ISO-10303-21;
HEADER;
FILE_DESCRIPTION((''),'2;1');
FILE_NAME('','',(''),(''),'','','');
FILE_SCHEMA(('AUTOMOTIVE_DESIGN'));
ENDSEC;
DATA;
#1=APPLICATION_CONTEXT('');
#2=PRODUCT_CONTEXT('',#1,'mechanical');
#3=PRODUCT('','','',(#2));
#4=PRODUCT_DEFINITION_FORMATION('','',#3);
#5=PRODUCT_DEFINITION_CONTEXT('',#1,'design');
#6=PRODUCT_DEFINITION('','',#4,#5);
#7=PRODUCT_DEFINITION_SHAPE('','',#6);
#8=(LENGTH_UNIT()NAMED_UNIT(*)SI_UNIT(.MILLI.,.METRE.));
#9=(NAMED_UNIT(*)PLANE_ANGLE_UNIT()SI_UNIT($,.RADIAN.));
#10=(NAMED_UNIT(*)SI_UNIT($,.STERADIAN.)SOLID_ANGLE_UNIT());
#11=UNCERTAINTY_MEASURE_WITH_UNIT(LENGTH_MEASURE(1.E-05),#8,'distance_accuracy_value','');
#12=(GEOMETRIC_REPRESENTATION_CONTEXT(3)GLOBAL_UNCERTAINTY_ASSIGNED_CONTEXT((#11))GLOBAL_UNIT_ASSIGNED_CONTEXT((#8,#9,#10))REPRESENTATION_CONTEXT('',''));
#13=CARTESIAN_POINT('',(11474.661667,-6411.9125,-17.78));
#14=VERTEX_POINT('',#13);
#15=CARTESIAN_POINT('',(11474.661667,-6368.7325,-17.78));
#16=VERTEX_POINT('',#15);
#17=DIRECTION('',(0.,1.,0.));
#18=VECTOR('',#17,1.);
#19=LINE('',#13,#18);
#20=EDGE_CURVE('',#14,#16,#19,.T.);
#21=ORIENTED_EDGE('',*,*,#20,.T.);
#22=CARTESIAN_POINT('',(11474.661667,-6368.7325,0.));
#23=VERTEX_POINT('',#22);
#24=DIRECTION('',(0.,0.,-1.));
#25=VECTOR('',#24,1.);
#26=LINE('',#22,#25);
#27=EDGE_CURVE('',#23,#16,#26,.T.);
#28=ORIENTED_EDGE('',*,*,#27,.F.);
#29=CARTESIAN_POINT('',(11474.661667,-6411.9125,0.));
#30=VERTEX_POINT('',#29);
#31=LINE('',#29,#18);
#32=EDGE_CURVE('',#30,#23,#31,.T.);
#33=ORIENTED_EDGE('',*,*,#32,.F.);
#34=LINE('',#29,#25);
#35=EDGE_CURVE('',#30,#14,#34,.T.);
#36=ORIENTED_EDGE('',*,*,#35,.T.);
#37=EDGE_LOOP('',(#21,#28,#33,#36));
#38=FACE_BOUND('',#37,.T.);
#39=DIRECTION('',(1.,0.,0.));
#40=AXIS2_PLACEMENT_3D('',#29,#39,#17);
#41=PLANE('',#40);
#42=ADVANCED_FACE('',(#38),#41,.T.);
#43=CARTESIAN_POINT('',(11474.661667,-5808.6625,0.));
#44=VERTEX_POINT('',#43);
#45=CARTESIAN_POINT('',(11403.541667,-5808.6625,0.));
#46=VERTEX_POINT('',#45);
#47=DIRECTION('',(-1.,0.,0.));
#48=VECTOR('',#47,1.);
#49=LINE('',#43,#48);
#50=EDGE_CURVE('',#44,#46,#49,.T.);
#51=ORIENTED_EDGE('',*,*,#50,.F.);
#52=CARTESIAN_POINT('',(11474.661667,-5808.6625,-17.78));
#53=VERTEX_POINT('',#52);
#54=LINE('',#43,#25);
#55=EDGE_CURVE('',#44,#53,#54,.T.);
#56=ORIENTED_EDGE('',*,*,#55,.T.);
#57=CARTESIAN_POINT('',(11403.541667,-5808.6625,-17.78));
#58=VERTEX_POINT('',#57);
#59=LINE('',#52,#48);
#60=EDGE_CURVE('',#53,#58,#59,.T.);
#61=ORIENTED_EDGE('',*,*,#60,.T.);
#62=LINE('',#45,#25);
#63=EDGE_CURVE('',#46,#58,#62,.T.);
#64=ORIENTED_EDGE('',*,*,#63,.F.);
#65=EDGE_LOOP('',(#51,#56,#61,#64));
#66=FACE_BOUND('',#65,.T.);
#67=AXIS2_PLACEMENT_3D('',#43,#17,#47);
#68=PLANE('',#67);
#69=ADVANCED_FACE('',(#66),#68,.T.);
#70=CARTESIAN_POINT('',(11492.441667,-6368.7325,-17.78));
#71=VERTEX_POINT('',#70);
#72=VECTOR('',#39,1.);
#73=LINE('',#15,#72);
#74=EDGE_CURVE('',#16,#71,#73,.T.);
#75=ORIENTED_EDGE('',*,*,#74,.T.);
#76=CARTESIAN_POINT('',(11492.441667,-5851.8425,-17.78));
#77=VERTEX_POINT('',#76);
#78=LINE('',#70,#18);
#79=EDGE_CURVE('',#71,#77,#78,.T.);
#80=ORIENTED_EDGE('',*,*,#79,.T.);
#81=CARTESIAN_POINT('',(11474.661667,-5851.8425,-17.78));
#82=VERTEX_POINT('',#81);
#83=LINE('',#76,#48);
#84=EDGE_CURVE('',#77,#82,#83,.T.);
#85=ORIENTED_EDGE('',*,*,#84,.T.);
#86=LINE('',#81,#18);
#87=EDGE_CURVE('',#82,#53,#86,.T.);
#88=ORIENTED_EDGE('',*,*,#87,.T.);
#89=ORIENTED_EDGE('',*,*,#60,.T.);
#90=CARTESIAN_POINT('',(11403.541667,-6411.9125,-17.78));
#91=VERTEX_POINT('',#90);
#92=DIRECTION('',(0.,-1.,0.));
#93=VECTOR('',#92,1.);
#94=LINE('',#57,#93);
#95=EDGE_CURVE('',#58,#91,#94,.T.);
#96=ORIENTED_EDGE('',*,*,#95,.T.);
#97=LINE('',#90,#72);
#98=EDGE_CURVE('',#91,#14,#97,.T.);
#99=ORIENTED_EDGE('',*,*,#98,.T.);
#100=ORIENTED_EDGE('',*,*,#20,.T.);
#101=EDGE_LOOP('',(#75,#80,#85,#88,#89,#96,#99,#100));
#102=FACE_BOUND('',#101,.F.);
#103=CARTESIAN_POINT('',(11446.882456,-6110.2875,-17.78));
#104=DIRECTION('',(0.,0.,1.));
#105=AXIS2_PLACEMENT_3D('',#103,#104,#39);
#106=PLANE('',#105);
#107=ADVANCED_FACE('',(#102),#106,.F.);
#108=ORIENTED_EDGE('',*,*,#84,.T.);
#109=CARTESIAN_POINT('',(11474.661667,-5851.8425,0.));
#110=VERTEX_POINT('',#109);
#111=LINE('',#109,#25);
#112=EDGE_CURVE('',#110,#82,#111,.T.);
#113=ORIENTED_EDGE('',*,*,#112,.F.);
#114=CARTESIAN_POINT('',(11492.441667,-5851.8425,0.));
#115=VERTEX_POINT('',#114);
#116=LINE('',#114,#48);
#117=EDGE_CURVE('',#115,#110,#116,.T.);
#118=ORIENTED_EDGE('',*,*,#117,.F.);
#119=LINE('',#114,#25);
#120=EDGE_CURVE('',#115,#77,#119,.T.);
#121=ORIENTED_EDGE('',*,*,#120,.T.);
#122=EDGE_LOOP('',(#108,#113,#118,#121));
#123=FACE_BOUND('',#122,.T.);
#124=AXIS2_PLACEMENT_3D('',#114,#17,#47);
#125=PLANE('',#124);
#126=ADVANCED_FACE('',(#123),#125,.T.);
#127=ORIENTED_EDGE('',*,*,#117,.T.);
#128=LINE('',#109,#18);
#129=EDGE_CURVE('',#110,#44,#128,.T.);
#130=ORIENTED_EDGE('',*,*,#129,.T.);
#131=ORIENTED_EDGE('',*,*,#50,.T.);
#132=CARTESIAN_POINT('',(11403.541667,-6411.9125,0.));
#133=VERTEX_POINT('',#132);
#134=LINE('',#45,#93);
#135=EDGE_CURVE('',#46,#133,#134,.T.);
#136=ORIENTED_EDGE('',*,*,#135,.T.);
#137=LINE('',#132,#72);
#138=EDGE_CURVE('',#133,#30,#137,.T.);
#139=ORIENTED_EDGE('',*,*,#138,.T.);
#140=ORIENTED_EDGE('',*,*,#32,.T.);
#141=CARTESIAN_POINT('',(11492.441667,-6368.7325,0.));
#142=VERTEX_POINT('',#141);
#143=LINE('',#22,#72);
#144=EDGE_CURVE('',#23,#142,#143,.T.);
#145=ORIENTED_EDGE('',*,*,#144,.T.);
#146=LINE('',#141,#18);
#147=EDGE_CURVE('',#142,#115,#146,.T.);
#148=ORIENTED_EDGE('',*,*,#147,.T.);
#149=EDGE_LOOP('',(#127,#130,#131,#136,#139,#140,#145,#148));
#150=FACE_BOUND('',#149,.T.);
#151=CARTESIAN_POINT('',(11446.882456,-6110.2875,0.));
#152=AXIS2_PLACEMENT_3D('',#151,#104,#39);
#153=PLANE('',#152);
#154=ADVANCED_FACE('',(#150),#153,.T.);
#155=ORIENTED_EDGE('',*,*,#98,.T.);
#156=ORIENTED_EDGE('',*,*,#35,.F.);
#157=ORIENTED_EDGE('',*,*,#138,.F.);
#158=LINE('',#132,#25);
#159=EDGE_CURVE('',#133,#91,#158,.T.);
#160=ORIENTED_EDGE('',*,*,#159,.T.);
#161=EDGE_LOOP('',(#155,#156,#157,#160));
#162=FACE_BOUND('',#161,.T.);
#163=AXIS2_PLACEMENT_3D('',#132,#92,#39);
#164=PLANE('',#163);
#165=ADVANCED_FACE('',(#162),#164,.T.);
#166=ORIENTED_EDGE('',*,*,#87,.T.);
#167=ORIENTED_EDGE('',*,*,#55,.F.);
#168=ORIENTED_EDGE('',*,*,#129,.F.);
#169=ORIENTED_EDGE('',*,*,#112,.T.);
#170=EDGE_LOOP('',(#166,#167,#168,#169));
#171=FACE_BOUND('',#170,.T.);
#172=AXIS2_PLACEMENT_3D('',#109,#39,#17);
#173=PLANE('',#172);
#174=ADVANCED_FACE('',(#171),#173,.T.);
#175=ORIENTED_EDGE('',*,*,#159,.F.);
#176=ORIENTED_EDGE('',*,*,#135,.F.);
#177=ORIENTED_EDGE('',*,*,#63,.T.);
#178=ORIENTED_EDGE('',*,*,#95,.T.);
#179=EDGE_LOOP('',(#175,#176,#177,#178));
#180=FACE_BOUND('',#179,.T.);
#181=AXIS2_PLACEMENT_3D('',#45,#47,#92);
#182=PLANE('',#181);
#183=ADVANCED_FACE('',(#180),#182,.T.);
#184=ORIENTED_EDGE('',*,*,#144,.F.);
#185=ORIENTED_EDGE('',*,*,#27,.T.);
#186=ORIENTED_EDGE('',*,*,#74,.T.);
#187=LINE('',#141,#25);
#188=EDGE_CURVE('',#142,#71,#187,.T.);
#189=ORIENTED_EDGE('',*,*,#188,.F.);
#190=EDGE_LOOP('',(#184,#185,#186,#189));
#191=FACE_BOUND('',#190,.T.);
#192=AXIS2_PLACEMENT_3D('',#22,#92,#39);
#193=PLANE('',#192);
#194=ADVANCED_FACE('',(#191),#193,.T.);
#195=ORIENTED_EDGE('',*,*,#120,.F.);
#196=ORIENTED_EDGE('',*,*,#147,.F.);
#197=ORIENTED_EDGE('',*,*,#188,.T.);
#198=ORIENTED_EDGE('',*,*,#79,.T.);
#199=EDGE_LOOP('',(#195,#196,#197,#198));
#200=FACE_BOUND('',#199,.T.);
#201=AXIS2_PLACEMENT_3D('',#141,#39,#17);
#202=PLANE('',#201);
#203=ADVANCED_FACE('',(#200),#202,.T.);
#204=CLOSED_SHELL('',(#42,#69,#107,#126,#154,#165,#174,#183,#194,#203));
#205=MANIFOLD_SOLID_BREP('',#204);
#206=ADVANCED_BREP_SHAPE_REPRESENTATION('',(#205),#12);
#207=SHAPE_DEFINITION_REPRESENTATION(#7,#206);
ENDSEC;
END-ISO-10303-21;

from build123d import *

# Parameters (mm, degrees)
EXTRUDE1_DEPTH = 17.78


with BuildPart() as part:
    # Sketch2 → Extrude1 (new body)
    with BuildSketch(Plane.XY):
        Polygon((11403.541666666, -6411.9125), (11474.661666666, -6411.9125), (11474.661666666, -6368.7325), (11492.441666666, -6368.7325), (11492.441666666, -5851.8425), (11474.661666666, -5851.8425), (11474.661666666, -5808.6625), (11403.541666666, -5808.6625), align=None)
    extrude(amount=-EXTRUDE1_DEPTH)


solid = part.part
